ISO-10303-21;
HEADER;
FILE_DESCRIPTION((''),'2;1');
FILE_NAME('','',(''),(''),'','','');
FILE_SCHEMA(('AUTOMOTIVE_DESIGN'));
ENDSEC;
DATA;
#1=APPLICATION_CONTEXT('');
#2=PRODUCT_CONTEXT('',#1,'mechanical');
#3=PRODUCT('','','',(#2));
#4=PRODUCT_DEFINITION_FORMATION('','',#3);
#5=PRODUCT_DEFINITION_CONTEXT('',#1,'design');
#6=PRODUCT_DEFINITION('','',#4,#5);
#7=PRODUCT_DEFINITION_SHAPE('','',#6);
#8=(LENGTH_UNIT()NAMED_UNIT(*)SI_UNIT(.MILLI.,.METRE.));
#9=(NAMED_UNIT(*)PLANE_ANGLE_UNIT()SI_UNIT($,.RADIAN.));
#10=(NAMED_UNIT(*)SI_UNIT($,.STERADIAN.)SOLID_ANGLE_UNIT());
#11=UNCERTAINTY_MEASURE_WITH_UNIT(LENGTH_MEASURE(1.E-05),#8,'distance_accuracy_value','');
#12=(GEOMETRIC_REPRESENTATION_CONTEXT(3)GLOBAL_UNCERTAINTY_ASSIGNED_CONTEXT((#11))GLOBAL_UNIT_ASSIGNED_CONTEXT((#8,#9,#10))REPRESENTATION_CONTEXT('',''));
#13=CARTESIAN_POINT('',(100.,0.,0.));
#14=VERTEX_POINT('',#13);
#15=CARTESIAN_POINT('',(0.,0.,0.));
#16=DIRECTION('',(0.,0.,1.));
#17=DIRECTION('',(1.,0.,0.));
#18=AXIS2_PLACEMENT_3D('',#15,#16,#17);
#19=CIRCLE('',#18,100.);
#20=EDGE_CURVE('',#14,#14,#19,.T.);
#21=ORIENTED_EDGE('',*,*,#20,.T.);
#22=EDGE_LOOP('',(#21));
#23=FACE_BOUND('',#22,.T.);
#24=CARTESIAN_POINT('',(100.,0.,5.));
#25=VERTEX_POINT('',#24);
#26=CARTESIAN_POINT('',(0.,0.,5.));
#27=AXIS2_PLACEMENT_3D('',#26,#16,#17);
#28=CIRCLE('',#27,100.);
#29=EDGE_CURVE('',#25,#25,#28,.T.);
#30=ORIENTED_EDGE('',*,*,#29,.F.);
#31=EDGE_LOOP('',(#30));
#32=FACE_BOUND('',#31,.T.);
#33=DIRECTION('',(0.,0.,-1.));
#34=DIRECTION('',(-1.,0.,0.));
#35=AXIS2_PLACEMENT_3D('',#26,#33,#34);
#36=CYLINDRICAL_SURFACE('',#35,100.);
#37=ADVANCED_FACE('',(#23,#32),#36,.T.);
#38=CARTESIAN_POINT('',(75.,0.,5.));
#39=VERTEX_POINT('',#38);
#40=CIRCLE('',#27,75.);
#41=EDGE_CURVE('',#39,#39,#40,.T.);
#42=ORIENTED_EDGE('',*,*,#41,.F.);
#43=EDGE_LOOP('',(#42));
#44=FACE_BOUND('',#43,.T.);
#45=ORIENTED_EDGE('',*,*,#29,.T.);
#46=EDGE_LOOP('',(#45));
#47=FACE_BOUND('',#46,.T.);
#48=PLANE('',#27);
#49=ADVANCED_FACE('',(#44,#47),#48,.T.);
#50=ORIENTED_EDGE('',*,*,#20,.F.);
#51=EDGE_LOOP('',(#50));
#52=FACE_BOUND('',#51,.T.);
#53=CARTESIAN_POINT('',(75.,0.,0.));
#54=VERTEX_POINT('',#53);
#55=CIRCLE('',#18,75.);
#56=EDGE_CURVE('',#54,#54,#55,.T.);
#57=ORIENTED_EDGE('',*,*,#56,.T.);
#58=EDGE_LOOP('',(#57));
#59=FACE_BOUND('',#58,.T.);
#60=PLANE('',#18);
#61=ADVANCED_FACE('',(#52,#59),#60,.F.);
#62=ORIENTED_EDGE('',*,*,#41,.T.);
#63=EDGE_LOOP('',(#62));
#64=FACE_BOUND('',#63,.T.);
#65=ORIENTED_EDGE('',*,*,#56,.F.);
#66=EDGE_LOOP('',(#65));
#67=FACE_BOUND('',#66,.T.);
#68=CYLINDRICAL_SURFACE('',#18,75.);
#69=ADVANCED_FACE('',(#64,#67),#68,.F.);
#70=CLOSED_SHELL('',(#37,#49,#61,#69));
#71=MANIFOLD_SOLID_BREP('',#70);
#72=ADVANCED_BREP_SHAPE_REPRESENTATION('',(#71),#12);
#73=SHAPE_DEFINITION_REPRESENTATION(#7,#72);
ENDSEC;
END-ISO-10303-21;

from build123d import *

# Parameters (mm, degrees)
SKETCH1_R           = 100
BOSS_EXTRUDE1_DEPTH = 5
SKETCH2_R           = 75
CUT_EXTRUDE1_DEPTH  = 6


with BuildPart() as part:
    # Sketch1 → Boss-Extrude1 (new body)
    with BuildSketch(Plane.XY):
        Circle(SKETCH1_R)
    extrude(amount=BOSS_EXTRUDE1_DEPTH)

    # Sketch2 → Cut-Extrude1 (cut, through all)
    with BuildSketch(Plane.XY.offset(5)):
        Circle(SKETCH2_R)
    extrude(amount=-CUT_EXTRUDE1_DEPTH, mode=Mode.SUBTRACT)


solid = part.part
